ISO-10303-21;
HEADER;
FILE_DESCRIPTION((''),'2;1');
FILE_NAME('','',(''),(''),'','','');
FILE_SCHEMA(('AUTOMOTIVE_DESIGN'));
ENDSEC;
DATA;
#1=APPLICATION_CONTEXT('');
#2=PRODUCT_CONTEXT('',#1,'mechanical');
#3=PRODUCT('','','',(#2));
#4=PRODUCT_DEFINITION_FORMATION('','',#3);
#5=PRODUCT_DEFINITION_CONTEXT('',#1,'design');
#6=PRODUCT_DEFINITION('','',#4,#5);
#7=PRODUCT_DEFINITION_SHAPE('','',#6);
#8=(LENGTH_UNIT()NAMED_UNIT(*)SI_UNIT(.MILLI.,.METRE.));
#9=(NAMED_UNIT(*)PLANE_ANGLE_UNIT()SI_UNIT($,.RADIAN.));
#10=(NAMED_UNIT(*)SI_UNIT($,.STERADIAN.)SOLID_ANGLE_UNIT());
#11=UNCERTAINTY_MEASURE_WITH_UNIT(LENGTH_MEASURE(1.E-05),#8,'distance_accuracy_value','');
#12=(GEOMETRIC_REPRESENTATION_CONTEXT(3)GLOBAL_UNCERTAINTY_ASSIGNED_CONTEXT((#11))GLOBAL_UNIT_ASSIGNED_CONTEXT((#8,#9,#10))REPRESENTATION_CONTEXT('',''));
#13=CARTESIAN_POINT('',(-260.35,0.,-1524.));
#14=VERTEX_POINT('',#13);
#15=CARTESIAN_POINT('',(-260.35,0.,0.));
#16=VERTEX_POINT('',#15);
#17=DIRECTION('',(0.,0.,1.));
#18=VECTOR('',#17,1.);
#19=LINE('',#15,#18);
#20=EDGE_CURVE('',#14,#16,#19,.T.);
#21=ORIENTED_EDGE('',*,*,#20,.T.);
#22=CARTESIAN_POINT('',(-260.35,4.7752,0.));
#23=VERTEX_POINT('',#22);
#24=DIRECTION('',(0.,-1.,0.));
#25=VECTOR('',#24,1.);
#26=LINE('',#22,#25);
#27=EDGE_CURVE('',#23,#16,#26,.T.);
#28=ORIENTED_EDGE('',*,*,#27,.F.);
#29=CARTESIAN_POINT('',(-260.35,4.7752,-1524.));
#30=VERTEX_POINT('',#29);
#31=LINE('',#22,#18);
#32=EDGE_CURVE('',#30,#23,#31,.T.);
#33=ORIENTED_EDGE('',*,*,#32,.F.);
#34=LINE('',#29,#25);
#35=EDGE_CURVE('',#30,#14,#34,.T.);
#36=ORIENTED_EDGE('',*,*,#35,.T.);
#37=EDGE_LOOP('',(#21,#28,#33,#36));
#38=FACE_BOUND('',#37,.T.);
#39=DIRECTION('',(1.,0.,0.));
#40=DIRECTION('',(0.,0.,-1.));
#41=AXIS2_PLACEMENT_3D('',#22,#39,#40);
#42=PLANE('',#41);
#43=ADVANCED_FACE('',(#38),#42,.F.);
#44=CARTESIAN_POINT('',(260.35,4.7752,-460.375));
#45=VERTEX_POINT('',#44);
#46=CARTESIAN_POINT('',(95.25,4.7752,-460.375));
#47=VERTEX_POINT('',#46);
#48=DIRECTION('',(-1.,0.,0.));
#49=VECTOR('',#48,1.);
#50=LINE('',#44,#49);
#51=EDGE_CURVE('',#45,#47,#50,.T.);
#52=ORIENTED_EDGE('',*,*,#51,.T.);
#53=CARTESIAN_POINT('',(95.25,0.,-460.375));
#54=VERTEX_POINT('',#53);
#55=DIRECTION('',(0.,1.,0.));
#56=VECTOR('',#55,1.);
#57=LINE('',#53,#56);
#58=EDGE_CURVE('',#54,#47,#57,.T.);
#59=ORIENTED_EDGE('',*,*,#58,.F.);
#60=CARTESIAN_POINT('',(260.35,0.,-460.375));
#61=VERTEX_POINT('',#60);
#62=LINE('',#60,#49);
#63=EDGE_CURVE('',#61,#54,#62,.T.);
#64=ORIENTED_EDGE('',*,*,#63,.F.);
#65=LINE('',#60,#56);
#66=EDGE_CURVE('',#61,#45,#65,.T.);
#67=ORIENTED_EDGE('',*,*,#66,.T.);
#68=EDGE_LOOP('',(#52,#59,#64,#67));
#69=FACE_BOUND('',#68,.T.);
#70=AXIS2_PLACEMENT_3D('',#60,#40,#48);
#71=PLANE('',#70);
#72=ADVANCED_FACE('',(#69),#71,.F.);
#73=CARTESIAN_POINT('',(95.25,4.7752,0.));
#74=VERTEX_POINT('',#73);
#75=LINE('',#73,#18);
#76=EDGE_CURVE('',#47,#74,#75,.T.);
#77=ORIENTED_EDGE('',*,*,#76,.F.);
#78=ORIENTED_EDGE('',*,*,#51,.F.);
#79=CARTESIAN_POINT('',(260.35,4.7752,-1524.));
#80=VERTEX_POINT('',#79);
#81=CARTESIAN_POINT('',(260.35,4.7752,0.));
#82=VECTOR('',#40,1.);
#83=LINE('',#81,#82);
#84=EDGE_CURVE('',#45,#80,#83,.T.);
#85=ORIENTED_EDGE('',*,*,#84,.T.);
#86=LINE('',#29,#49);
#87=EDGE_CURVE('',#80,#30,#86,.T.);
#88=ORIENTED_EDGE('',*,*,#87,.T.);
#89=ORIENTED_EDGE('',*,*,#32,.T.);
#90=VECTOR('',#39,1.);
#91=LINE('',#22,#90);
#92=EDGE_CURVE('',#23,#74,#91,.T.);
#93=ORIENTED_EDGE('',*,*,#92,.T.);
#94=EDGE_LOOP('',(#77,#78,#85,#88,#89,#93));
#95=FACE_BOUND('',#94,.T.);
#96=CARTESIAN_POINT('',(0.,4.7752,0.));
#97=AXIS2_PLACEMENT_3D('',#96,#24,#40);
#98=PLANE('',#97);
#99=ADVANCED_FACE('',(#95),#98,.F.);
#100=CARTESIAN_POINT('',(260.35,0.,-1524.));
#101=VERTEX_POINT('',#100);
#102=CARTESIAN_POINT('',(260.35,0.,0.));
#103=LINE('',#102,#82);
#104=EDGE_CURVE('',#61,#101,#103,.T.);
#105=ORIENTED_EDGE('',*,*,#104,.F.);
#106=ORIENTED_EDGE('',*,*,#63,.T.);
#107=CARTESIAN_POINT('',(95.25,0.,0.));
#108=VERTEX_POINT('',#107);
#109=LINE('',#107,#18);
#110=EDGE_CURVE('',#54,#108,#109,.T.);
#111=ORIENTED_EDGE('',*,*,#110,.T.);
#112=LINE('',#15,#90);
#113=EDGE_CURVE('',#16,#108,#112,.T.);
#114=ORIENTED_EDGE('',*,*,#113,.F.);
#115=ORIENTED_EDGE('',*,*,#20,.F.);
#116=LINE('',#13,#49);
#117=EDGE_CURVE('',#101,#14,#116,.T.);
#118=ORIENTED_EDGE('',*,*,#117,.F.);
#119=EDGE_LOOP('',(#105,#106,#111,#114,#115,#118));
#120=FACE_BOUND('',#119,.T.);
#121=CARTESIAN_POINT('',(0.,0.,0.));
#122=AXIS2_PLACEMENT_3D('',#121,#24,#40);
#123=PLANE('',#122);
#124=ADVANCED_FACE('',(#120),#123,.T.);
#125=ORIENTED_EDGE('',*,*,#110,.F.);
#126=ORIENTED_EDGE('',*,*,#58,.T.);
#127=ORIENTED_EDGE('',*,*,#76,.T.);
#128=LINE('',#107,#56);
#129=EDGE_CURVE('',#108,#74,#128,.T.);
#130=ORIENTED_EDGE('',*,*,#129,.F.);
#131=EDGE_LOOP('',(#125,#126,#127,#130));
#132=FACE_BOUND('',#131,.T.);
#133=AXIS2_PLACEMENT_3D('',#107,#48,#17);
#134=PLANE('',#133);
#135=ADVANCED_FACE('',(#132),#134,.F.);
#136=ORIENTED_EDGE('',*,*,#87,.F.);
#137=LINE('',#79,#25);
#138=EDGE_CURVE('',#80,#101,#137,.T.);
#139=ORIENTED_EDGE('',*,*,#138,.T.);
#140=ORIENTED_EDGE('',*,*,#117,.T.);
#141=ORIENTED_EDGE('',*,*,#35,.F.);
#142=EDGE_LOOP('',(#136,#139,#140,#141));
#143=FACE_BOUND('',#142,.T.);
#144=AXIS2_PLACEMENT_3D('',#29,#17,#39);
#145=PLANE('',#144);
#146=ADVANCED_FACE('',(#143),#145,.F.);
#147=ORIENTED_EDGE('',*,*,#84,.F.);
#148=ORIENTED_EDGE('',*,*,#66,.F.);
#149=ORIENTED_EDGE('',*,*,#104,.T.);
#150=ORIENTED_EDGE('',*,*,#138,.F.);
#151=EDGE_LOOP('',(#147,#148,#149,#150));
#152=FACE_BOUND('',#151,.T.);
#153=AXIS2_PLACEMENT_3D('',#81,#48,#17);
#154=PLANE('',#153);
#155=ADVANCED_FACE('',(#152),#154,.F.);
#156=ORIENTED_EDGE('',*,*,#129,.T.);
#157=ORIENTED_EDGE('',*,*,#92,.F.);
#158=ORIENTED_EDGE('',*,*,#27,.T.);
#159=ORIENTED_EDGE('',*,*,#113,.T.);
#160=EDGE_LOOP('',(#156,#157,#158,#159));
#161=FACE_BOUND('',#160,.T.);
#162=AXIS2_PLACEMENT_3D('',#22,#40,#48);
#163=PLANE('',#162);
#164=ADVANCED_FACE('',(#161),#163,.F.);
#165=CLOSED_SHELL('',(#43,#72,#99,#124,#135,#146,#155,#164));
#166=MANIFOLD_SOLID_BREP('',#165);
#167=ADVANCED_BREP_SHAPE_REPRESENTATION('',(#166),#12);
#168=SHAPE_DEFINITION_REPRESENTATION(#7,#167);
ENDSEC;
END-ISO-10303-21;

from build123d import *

# Parameters (mm, degrees)
SKETCH1_W           = 520.7
SKETCH1_H           = 1524
BOSS_EXTRUDE1_DEPTH = 4.7752
SKETCH2_W           = 165.1
SKETCH2_H           = 460.375
CUT_EXTRUDE1_DEPTH  = 5.7752


with BuildPart() as part:
    # Sketch1 → Boss-Extrude1 (new body)
    with BuildSketch(Plane(origin=(0, 0, 0), x_dir=(1, 0, 0), z_dir=(0, 1, 0))):
        with Locations((0, 762)):
            Rectangle(SKETCH1_W, SKETCH1_H)
    extrude(amount=BOSS_EXTRUDE1_DEPTH)

    # Sketch2 → Cut-Extrude1 (cut, through all)
    with BuildSketch(Plane(origin=(0, 4.7752, 0), x_dir=(1, 0, 0), z_dir=(0, 1, 0))):
        with Locations((177.8, 230.1875)):
            Rectangle(SKETCH2_W, SKETCH2_H)
    extrude(amount=-CUT_EXTRUDE1_DEPTH, mode=Mode.SUBTRACT)


solid = part.part
